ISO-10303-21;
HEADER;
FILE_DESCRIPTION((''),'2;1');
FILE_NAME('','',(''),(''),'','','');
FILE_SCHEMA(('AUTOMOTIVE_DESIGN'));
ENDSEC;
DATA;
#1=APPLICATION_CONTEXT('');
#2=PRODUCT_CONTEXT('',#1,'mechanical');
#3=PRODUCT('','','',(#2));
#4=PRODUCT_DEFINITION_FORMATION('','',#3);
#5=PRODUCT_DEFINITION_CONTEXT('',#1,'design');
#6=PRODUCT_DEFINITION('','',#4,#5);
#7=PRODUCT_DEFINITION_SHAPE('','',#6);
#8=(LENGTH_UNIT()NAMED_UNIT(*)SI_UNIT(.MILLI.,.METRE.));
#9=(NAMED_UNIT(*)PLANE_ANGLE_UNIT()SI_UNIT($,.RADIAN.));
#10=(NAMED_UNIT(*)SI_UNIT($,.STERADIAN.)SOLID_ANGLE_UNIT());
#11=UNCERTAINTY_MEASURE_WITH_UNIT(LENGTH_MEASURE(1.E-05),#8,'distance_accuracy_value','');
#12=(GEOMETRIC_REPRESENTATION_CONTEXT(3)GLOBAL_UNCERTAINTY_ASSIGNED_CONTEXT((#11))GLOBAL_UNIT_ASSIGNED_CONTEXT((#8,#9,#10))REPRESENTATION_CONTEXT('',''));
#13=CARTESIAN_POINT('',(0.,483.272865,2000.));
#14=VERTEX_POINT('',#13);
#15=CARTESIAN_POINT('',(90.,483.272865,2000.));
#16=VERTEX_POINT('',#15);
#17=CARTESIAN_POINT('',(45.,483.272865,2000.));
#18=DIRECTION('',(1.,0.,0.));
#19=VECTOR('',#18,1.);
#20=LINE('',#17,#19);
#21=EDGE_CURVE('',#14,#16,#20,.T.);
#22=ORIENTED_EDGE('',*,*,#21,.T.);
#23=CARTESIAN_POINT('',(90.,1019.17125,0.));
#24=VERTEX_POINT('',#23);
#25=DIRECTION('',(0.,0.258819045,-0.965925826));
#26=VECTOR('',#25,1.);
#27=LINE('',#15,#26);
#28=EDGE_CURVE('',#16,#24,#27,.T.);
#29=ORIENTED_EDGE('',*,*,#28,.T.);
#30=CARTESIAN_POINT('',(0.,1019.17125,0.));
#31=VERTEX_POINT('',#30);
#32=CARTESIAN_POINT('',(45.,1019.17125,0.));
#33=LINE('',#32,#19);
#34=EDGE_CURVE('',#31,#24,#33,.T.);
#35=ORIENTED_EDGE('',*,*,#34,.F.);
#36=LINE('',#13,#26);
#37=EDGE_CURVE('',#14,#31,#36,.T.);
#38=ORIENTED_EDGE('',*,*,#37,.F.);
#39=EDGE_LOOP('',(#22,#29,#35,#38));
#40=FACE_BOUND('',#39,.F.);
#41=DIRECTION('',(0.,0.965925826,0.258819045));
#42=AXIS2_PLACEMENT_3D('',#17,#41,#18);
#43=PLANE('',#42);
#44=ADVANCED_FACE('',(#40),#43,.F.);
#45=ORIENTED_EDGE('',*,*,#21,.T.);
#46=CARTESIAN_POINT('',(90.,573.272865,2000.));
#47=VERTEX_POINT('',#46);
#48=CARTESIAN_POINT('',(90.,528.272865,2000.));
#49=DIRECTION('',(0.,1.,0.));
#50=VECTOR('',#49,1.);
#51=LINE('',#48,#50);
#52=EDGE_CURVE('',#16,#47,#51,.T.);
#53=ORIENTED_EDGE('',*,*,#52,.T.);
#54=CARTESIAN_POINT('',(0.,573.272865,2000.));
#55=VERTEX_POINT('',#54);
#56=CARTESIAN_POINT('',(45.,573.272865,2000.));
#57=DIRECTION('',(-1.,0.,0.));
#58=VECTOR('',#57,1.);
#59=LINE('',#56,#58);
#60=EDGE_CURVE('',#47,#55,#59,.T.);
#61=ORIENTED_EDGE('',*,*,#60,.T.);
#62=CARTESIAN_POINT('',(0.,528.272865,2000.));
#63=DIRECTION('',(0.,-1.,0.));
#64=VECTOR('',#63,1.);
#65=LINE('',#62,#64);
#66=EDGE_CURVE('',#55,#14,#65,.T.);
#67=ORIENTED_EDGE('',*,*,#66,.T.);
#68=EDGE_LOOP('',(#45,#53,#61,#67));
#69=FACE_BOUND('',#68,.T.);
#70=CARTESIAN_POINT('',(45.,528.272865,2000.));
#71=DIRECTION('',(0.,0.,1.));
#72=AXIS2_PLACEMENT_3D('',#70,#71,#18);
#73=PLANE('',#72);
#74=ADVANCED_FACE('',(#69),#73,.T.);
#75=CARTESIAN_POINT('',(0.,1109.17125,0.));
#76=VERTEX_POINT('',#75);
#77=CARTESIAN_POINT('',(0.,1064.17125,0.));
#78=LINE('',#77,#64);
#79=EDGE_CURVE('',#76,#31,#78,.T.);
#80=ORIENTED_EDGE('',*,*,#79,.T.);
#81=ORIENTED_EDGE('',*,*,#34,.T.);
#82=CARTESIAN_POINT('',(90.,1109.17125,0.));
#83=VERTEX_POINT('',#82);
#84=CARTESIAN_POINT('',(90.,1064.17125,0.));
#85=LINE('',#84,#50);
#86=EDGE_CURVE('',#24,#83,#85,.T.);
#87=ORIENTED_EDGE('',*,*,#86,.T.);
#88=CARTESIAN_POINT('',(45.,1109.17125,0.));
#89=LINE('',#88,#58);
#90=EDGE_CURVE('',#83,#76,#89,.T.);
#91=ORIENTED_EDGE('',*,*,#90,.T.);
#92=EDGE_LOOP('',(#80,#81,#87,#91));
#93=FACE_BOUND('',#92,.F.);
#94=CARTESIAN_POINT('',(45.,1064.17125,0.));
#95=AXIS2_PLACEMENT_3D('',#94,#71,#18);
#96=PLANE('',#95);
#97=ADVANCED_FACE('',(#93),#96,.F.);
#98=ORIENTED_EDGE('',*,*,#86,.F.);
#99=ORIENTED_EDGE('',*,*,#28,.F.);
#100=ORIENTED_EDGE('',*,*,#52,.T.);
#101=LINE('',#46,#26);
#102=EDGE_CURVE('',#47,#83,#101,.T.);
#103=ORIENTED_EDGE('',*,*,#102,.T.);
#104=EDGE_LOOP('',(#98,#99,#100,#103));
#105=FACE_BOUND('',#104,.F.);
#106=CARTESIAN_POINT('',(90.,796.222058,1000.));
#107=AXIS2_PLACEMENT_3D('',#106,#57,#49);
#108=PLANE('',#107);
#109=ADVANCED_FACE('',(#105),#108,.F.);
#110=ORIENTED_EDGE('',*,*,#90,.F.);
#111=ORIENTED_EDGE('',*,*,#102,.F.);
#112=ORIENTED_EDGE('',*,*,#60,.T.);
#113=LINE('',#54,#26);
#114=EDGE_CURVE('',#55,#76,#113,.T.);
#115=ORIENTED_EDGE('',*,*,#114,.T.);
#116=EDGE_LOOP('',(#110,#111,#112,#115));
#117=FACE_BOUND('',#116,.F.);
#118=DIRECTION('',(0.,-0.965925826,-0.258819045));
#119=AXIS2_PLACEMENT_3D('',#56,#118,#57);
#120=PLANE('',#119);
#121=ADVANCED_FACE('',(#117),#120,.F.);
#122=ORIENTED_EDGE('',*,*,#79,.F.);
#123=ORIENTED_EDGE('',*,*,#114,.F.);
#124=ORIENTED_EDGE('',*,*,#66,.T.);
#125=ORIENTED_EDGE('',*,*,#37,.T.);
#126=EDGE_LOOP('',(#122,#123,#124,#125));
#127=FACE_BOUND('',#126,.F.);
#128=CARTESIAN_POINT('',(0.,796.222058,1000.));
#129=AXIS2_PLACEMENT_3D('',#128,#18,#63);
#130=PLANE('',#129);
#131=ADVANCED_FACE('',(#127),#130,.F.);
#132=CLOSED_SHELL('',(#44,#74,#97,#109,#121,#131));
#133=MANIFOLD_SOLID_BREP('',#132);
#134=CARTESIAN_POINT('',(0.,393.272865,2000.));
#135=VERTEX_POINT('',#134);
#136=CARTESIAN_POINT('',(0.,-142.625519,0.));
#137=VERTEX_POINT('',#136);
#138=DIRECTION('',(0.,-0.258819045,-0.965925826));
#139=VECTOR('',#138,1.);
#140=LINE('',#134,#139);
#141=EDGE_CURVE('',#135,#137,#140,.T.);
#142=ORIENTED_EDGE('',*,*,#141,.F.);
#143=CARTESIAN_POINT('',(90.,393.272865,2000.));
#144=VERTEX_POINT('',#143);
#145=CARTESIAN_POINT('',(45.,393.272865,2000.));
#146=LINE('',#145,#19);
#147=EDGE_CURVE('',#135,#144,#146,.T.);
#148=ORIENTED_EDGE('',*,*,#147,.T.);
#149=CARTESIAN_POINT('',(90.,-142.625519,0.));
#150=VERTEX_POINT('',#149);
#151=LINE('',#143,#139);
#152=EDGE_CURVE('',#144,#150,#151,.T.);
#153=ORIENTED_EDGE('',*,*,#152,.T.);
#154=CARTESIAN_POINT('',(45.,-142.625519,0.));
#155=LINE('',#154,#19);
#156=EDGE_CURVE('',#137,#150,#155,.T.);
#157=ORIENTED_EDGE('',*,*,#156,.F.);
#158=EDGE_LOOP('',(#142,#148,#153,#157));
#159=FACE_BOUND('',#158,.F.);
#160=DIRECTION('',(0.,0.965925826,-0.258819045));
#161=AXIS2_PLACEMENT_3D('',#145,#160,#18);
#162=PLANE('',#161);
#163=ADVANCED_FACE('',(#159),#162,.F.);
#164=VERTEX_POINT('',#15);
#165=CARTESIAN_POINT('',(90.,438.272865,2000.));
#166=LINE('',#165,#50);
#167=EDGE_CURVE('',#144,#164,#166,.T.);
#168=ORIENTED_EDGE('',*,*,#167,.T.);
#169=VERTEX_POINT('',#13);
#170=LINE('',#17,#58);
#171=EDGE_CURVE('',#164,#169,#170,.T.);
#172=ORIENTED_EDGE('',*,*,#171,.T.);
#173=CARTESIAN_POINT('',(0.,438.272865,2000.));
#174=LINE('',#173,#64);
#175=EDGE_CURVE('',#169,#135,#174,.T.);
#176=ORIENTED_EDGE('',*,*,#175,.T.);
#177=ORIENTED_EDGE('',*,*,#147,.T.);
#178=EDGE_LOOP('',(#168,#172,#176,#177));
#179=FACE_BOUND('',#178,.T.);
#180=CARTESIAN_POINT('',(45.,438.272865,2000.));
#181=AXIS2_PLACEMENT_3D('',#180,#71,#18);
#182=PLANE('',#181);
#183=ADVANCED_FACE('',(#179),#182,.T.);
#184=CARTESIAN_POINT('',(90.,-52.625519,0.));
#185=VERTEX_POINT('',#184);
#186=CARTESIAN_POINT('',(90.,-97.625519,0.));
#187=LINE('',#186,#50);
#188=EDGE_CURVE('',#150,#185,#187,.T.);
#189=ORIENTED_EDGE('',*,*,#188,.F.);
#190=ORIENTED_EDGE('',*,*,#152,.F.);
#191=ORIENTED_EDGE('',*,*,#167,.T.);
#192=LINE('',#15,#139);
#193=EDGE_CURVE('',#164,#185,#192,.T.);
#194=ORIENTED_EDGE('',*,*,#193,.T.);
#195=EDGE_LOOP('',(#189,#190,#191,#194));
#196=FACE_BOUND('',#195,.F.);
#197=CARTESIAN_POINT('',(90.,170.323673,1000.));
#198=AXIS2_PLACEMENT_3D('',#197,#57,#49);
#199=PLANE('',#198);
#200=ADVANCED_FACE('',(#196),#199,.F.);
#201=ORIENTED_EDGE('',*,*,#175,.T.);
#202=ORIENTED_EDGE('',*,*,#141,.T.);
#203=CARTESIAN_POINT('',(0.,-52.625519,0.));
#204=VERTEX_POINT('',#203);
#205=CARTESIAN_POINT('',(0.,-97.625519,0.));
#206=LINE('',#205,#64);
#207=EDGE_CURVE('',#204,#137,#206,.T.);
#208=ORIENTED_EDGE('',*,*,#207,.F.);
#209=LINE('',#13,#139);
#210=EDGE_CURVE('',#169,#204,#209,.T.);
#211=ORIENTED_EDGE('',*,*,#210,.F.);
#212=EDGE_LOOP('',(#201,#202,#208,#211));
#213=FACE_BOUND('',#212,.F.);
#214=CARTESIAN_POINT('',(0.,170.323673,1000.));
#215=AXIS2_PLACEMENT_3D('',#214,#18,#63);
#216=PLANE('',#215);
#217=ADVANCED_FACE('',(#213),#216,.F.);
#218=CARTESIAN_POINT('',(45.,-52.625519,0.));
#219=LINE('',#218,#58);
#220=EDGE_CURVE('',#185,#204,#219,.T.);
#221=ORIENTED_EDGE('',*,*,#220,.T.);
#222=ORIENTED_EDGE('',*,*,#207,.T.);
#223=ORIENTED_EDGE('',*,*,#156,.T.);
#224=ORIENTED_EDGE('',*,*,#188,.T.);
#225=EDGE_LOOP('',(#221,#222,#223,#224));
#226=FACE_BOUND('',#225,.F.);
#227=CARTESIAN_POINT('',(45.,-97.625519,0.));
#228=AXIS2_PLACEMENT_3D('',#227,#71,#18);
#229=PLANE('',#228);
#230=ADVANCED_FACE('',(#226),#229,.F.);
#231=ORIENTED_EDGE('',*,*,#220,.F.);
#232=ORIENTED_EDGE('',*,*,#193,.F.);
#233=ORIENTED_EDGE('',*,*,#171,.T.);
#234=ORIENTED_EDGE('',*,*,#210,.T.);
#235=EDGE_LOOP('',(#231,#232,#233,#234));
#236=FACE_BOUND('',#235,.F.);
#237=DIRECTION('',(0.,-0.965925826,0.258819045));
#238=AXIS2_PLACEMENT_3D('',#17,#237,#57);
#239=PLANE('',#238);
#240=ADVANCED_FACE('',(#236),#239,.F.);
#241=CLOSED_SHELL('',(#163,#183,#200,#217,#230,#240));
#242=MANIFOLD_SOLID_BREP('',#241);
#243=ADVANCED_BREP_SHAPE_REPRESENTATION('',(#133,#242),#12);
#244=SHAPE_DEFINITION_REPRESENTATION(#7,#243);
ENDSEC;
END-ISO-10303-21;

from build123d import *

# Parameters (mm, degrees)
F1_W = 90
F1_H = 90


with BuildPart() as f2:
    # F2: sweep along a path in F0
    with BuildLine(Plane.YZ) as f2_path:
        Line((483.272865, 2000), (1019.17125, 0))
    # F1 (on Top) → F2 (sweep)
    with BuildSketch(Plane.XY):
        with Locations((45, 1064.17125)):
            Rectangle(F1_W, F1_H)
    sweep(path=f2_path.line)


with BuildPart() as f3:
    # F3: sweep along a path in F0
    with BuildLine(Plane.YZ) as f3_path:
        Line((483.272865, 2000), (-52.625519, 0))
    # F1 (on Top) → F3 (sweep)
    with BuildSketch(Plane.XY):
        with Locations((45, -97.625519)):
            Rectangle(F1_W, F1_H)
    sweep(path=f3_path.line)


solid = Compound([f2.part, f3.part])
